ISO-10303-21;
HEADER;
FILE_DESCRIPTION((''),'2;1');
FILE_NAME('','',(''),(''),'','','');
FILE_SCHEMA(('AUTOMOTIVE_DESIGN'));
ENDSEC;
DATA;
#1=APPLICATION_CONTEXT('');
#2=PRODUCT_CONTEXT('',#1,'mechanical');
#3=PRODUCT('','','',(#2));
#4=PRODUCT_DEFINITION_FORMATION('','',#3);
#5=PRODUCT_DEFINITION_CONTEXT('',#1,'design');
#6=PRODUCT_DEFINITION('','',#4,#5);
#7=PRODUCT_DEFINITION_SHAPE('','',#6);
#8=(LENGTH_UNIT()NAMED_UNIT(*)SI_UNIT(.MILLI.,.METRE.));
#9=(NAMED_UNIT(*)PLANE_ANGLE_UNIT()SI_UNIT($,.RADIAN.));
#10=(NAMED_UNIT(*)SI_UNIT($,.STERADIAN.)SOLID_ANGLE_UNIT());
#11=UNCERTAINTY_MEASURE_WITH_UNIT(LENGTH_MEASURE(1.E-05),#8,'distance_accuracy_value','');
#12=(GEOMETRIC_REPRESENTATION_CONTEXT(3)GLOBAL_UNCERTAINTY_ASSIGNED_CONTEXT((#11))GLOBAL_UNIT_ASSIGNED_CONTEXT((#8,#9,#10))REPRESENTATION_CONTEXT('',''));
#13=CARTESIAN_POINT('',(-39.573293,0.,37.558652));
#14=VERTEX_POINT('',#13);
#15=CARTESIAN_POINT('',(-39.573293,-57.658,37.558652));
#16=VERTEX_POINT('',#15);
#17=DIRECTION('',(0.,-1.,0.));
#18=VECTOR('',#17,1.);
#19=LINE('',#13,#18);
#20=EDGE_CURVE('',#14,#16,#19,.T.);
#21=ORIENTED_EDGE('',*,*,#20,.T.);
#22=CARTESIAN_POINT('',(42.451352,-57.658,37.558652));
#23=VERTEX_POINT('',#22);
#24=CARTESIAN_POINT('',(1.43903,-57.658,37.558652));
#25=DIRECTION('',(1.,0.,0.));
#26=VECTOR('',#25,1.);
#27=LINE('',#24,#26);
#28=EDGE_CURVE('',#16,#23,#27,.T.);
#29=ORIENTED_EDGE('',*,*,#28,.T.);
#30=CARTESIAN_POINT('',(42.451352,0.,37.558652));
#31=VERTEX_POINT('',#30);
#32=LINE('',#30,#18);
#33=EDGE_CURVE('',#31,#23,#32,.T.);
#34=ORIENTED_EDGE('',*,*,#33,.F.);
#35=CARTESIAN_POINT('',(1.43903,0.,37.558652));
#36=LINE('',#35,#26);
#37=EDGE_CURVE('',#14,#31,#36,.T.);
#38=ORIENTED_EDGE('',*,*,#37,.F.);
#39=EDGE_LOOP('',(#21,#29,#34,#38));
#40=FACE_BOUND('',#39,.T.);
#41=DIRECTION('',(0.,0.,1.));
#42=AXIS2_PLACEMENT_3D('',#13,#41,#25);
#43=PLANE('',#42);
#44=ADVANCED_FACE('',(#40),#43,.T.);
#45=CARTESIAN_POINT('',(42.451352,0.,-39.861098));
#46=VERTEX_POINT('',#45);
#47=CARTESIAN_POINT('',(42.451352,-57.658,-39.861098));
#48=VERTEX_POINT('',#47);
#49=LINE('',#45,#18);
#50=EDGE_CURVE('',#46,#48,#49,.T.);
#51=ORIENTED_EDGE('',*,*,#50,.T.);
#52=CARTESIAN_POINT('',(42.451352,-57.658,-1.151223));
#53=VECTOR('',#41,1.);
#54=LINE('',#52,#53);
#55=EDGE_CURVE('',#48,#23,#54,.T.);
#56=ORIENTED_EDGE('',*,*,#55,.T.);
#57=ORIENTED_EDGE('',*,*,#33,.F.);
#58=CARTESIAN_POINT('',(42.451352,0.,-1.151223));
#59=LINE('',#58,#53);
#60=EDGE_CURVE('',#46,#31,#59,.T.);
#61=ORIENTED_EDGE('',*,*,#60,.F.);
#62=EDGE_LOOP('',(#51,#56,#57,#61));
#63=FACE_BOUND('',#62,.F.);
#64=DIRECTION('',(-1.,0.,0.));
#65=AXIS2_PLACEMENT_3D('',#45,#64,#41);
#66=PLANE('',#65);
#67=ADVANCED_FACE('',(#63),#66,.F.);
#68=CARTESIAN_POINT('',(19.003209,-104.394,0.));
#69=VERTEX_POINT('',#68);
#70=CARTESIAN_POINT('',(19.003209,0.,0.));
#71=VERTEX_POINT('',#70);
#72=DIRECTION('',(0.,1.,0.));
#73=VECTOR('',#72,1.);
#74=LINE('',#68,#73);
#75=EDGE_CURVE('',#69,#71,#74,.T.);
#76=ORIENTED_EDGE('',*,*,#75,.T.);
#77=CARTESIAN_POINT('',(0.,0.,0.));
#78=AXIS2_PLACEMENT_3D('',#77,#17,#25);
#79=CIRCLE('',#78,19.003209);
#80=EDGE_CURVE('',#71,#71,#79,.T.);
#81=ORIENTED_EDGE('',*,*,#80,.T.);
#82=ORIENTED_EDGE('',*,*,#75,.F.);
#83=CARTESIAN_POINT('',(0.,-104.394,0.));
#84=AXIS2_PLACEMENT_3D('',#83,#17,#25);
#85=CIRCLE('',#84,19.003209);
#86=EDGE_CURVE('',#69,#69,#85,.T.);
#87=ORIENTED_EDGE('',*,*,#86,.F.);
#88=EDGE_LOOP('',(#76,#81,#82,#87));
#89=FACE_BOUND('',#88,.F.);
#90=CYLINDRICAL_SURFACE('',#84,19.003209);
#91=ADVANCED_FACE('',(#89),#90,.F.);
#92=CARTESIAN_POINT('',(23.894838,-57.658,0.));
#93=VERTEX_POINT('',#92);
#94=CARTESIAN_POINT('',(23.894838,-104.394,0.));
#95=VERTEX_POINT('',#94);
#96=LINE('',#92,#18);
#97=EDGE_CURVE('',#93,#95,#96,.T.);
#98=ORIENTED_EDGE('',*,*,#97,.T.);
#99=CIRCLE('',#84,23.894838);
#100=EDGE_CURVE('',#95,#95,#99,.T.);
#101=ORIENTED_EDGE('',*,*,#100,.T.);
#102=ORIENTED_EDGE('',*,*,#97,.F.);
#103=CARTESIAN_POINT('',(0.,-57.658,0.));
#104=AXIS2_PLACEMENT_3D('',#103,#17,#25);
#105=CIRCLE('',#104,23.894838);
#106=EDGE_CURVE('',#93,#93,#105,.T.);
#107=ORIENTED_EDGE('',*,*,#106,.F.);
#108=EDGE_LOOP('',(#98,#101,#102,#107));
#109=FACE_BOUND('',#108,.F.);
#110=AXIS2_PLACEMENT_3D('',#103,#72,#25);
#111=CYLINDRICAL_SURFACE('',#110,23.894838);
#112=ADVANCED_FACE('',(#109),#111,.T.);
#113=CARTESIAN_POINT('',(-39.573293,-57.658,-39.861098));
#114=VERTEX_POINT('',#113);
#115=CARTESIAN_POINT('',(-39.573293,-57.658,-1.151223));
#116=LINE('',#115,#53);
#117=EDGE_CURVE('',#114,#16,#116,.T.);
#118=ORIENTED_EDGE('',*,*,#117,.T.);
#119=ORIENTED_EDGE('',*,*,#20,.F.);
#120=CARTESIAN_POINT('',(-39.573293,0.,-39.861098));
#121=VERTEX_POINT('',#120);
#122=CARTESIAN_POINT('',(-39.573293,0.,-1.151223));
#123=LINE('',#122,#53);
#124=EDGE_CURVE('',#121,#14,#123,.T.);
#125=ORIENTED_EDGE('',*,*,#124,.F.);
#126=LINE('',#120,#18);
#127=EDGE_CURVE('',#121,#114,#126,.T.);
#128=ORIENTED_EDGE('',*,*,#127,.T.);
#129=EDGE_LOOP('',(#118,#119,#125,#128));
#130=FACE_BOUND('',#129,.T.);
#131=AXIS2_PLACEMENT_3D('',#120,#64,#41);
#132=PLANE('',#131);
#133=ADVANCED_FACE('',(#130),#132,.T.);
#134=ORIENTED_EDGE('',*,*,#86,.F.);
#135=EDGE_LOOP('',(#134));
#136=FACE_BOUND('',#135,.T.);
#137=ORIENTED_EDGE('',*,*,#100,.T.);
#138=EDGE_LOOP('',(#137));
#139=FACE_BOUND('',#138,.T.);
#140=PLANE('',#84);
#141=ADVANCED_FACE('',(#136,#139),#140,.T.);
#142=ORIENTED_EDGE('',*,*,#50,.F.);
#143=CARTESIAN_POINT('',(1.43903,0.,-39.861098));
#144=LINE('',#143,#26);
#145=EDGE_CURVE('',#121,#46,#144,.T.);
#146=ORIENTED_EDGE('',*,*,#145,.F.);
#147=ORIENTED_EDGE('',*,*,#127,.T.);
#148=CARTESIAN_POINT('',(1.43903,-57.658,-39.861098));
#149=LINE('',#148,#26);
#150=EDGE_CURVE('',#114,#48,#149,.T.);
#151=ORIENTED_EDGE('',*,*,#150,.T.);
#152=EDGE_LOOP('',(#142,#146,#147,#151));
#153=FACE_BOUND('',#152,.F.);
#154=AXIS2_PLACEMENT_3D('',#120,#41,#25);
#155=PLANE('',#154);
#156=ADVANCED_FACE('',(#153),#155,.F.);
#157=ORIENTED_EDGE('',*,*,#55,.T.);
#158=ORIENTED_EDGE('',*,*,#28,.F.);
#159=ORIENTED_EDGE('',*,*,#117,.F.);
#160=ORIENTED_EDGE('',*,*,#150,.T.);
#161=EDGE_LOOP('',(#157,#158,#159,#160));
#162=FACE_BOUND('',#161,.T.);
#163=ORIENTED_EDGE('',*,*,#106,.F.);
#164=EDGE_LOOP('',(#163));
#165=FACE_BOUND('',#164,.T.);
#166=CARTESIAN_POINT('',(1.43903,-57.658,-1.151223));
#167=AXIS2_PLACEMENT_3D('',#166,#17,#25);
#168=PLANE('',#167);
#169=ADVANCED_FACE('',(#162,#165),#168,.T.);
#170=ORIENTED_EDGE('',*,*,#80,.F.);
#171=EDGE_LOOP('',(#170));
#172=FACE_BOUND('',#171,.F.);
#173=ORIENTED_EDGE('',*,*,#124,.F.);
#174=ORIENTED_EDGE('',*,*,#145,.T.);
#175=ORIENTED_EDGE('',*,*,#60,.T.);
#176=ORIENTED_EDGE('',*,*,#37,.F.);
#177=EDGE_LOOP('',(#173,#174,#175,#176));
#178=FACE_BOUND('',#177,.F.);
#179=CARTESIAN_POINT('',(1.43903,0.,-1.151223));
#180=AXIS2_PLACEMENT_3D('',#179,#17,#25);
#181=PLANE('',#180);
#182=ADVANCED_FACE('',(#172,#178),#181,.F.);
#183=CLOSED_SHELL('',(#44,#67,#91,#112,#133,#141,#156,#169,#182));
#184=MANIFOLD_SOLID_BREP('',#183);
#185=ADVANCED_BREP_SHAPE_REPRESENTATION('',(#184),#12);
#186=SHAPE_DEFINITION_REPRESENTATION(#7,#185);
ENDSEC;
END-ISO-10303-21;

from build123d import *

# Parameters (mm, degrees)
F0_W     = 82.024645
F0_H     = 77.41975
F1_DEPTH = 57.658
F2_R     = 23.894838
F3_DEPTH = 46.736
F4_R     = 19.003209
F5_DEPTH = 198.882


with BuildPart() as f1:
    # F0 (on Front) → F1 (new body)
    with BuildSketch(Plane.XZ):
        with Locations((1.43903, -1.151223)):
            Rectangle(F0_W, F0_H)
    extrude(amount=F1_DEPTH)

    # F2 (on face) → F3 (join)
    with BuildSketch(Plane.XZ.offset(57.658)):
        Circle(F2_R)
    extrude(amount=F3_DEPTH)

    # F4 (on face) → F5 (cut)
    with BuildSketch(Plane.XZ.offset(104.394)):
        Circle(F4_R)
    extrude(amount=-F5_DEPTH, mode=Mode.SUBTRACT)


solid = f1.part
